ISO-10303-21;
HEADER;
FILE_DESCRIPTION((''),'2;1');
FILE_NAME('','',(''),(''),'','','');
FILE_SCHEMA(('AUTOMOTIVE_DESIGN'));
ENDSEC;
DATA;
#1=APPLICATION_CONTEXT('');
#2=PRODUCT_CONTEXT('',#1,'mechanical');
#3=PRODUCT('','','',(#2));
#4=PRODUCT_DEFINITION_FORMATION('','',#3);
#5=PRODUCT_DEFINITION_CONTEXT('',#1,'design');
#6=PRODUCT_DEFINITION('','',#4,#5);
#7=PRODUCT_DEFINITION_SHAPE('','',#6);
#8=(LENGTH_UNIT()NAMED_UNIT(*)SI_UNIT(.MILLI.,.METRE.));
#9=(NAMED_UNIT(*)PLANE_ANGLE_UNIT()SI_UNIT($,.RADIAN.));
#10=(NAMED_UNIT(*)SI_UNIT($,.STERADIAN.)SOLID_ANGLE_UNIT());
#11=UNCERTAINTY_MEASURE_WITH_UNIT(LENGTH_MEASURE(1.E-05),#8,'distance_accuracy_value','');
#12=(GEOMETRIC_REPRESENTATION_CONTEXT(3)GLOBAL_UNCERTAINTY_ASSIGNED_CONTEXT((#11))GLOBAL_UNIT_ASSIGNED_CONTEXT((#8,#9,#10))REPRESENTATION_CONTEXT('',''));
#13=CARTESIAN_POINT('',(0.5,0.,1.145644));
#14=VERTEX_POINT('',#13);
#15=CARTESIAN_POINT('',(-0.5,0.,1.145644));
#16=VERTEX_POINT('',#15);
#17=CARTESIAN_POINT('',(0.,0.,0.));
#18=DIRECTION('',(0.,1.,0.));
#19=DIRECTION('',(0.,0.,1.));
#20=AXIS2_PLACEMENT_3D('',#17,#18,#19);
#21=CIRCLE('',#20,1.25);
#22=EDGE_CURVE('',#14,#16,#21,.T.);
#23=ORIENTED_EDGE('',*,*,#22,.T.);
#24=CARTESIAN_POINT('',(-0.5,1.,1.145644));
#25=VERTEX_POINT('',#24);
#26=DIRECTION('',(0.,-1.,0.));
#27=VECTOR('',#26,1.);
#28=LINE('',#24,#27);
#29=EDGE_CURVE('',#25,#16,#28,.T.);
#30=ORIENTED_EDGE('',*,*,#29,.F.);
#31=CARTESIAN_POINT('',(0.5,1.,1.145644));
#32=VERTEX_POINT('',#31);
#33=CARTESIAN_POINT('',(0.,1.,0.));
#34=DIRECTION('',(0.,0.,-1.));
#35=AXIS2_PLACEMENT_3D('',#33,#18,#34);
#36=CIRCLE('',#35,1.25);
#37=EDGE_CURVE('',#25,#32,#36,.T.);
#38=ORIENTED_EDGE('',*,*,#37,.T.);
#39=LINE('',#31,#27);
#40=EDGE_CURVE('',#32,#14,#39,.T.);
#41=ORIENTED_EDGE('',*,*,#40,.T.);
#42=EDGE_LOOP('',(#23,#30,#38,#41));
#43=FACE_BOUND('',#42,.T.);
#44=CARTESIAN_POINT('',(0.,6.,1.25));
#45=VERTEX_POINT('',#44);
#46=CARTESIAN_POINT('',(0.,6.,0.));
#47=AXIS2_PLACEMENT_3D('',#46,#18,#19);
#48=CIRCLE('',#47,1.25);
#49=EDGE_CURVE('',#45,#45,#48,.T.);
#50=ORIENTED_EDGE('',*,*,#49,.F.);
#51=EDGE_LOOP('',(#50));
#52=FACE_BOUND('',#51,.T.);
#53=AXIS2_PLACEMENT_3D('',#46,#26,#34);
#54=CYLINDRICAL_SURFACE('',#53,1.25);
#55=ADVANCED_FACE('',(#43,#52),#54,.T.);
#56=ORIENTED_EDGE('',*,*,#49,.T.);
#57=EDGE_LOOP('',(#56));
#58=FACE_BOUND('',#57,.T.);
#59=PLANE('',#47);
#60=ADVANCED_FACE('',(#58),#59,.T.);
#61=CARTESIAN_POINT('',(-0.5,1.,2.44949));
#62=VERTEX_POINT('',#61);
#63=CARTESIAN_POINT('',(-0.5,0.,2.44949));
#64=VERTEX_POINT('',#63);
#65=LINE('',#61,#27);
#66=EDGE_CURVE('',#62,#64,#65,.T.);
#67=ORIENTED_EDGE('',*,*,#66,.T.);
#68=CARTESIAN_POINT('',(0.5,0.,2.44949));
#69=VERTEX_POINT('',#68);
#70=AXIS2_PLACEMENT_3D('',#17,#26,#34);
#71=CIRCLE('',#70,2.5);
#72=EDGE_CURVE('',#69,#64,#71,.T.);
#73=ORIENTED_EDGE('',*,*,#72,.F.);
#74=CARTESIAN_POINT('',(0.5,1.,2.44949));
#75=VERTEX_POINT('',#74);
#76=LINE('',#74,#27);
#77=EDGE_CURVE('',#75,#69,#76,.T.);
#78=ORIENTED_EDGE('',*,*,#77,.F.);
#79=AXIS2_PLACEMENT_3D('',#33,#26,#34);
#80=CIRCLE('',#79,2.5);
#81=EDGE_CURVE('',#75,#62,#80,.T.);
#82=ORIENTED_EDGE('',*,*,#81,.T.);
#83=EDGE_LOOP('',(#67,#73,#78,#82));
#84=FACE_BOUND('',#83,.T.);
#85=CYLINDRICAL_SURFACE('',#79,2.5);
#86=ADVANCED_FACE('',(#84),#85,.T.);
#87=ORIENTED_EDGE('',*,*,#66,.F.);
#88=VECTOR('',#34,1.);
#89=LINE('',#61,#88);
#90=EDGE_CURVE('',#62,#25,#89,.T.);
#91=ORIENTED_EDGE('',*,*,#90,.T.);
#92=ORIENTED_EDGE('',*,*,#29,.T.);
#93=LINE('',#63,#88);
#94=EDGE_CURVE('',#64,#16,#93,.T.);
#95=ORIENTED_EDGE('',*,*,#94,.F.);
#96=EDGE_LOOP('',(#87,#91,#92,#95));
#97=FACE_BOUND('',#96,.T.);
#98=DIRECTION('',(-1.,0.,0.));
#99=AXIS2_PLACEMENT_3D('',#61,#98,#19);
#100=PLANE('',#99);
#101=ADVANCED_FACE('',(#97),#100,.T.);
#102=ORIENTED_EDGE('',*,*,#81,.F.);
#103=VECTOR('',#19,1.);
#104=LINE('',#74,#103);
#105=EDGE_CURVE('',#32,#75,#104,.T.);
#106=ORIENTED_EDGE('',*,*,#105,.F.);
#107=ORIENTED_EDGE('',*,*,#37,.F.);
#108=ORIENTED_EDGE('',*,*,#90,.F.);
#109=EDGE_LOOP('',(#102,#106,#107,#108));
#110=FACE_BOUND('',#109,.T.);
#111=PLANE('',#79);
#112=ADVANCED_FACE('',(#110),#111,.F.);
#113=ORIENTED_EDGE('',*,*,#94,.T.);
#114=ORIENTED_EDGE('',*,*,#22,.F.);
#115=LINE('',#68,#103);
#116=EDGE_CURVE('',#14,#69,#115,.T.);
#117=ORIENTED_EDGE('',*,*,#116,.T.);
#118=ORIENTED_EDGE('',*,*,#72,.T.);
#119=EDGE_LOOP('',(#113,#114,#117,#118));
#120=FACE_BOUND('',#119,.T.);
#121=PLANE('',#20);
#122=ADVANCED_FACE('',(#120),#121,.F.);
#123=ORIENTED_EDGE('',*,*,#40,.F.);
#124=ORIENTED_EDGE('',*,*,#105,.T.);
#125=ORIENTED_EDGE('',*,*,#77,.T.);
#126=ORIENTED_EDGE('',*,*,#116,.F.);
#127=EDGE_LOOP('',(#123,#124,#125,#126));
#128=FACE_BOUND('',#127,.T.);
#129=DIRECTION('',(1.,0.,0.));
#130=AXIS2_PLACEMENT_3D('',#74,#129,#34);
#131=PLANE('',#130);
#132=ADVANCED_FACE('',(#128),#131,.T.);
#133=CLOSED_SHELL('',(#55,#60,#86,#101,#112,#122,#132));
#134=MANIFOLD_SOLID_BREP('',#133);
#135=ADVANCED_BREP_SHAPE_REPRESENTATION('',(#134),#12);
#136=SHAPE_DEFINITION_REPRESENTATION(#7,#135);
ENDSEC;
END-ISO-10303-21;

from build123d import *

# Parameters (mm, degrees)
SKETCH1_R           = 1.25
BOSS_EXTRUDE1_DEPTH = 6
BOSS_EXTRUDE3_DEPTH = 1


with BuildPart() as part:
    # Sketch1 → Boss-Extrude1 (new body)
    with BuildSketch(Plane(origin=(0, 0, 0), x_dir=(1, 0, 0), z_dir=(0, 1, 0))):
        with Locations(Location((0, 0, 0), (0, 0, 270))):
            Circle(SKETCH1_R)
    extrude(amount=BOSS_EXTRUDE1_DEPTH)

    # Sketch3 → Boss-Extrude3 (add)
    with BuildSketch(Plane.XZ):
        with BuildLine():
            Line((-0.5, 2.449489743), (-0.5, 1.145643924))
            ThreePointArc((-0.5, 1.145643924), (0, 1.25), (0.5, 1.145643924))
            Line((0.5, 1.145643924), (0.5, 2.449489743))
            ThreePointArc((0.5, 2.449489743), (0, 2.5), (-0.5, 2.449489743))
        make_face()
    extrude(amount=-BOSS_EXTRUDE3_DEPTH)


solid = part.part
